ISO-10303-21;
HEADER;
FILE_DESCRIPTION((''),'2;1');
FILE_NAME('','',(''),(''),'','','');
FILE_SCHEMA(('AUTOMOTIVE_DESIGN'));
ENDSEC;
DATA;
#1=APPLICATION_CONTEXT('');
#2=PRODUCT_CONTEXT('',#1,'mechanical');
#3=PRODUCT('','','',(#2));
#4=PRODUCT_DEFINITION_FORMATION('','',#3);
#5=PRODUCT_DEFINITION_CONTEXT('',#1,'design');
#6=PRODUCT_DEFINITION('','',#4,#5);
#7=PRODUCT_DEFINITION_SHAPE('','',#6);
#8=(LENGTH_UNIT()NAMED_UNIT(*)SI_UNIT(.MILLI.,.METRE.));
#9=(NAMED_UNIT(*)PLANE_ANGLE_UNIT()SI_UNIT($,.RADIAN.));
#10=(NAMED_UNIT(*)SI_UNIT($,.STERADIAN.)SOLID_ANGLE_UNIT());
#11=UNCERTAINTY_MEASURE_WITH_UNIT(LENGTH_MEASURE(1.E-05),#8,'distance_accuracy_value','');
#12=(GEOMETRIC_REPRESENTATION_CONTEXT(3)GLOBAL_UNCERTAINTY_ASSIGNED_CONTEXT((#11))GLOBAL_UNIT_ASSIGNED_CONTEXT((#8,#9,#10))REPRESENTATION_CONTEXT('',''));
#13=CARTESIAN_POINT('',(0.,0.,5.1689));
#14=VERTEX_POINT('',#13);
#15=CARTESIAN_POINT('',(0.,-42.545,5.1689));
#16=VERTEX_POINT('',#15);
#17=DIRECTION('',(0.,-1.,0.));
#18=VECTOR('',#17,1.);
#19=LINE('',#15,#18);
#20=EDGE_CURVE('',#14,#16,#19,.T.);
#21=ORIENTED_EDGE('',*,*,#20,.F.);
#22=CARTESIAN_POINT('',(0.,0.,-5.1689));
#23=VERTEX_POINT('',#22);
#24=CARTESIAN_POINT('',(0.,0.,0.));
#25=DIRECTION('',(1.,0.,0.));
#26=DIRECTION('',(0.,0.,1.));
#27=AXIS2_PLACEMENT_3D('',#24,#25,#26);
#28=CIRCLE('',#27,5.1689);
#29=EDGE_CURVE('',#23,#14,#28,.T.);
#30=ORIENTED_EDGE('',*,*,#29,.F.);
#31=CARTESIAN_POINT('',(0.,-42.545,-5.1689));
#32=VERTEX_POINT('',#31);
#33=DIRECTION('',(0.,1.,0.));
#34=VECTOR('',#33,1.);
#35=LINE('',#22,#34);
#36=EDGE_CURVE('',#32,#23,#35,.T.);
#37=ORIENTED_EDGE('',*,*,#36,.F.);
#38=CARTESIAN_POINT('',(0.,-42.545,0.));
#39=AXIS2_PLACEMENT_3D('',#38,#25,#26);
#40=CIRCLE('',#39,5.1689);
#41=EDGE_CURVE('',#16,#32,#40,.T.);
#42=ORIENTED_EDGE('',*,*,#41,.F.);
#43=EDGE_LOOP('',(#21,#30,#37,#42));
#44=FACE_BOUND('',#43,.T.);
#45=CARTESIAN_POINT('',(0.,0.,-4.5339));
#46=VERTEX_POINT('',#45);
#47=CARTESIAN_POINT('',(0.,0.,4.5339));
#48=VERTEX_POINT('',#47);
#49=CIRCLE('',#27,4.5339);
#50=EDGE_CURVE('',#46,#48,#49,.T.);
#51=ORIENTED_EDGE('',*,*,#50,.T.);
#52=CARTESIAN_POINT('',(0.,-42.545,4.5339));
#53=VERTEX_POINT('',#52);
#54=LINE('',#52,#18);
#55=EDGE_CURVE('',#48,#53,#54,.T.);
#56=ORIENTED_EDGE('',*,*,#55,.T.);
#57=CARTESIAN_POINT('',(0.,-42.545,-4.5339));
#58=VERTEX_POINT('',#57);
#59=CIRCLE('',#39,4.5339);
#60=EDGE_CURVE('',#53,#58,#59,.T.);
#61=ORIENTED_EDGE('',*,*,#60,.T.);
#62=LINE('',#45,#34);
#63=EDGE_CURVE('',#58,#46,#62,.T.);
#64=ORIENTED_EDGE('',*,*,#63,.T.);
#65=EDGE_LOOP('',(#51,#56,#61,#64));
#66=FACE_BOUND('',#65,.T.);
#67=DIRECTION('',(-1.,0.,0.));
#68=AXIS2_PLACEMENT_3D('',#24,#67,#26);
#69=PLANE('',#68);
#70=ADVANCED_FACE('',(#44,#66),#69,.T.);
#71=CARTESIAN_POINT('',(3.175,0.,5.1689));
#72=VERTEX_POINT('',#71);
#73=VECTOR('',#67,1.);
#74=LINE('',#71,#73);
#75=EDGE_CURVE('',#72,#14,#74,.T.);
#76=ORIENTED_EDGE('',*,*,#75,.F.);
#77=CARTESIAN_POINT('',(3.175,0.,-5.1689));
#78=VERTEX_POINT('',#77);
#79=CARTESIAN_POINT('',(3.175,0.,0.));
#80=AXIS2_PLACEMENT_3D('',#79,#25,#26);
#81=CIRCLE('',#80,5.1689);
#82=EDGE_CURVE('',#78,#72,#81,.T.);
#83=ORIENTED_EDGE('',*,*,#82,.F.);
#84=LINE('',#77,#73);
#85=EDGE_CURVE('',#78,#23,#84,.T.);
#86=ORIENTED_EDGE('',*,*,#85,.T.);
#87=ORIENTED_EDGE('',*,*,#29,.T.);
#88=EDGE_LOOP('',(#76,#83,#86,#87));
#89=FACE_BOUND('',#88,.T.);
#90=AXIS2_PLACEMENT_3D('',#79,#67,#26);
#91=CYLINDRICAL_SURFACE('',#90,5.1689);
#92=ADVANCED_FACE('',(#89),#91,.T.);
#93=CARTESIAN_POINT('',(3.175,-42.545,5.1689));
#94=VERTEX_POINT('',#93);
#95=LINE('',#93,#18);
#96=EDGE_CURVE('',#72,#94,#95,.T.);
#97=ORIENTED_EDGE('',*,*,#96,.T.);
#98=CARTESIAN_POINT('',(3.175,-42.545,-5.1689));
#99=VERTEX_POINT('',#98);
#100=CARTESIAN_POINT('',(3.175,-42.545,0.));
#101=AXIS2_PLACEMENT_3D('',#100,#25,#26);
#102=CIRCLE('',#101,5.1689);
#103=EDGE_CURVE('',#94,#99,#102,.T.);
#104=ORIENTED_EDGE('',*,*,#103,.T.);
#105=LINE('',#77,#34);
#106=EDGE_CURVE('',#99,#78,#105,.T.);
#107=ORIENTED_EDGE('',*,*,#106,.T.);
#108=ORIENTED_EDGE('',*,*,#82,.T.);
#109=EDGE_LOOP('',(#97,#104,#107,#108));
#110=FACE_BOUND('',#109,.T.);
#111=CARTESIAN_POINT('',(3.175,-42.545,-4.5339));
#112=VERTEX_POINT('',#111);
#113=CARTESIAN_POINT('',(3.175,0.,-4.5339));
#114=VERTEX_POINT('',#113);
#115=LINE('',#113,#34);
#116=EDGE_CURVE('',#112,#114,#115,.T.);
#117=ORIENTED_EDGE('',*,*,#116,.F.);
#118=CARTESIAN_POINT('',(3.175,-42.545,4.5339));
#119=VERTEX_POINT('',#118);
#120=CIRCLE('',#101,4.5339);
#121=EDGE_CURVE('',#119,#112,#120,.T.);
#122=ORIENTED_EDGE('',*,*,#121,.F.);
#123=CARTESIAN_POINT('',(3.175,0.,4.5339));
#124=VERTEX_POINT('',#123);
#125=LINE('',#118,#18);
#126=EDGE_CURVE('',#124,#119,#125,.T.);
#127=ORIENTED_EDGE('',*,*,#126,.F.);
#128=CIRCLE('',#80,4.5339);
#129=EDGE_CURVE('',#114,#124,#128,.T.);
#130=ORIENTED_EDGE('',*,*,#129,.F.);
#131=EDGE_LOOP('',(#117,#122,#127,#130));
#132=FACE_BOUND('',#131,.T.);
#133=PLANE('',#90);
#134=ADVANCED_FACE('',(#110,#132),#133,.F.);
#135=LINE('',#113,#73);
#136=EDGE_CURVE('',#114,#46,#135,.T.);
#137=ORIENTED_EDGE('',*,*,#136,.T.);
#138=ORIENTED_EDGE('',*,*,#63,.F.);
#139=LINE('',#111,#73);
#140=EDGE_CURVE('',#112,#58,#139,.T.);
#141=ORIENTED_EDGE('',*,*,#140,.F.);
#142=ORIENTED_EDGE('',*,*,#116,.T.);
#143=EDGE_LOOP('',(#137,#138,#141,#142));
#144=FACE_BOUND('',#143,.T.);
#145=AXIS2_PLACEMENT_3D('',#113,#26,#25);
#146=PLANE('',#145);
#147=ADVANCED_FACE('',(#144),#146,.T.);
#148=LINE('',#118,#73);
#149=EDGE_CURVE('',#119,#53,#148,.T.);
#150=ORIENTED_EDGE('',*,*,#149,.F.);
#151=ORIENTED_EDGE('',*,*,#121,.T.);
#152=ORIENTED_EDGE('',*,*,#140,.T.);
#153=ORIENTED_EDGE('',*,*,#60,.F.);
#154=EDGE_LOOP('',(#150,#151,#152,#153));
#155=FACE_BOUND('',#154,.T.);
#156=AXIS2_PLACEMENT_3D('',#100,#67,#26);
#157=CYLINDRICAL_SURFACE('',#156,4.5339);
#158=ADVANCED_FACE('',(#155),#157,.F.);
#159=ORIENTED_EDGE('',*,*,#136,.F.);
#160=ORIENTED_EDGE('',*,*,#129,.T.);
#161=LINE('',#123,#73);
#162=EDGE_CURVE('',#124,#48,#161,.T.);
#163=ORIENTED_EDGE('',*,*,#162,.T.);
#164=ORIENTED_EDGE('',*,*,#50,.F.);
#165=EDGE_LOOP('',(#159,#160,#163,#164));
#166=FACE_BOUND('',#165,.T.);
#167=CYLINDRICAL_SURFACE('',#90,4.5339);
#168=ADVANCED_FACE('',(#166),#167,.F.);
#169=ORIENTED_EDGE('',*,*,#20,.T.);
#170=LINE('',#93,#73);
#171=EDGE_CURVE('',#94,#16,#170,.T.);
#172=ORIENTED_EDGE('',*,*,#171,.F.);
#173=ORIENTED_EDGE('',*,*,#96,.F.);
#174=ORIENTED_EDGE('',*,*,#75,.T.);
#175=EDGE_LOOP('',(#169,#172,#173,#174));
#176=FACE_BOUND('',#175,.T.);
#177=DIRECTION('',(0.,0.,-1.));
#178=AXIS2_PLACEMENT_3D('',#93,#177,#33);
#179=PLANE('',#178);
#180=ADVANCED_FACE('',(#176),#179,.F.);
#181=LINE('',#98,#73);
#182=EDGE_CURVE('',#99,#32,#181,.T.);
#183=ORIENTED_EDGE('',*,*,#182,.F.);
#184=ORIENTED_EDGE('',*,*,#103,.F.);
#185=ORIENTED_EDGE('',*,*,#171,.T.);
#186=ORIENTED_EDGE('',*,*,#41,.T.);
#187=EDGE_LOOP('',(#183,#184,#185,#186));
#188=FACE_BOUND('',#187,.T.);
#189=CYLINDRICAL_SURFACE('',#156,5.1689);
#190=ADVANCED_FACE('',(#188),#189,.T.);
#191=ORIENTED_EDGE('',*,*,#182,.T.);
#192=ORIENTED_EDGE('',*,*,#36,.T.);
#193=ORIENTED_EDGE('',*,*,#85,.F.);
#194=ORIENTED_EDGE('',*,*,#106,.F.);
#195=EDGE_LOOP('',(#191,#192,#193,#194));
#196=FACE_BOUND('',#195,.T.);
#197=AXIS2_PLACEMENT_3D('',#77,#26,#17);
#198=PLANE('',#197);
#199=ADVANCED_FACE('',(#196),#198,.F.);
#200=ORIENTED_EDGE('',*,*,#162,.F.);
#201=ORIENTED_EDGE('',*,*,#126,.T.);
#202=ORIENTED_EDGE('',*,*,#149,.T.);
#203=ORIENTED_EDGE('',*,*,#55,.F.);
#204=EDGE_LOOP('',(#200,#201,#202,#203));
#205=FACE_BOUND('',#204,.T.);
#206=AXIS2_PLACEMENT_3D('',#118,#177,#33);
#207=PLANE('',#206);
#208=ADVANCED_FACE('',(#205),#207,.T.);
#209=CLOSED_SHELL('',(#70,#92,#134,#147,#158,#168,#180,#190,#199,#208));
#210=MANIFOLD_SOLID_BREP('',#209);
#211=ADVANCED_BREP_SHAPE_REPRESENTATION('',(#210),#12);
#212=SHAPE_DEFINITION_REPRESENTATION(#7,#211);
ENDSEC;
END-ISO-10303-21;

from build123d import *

# Parameters (mm, degrees)
BOSS_EXTRUDE1_DEPTH = 3.175


with BuildPart() as part:
    # Sketch1 → Boss-Extrude1 (new body)
    with BuildSketch(Plane(origin=(0, 0, 0), x_dir=(0, 0, -1), z_dir=(1, 0, 0))):
        with BuildLine():
            Line((5.1689, 0), (5.1689, -42.545))
            ThreePointArc((5.1689, -42.545), (0, -47.7139), (-5.1689, -42.545))
            Line((-5.1689, -42.545), (-5.1689, 0))
            ThreePointArc((-5.1689, 0), (0, 5.1689), (5.1689, 0))
        make_face()
        with BuildLine():
            Line((4.5339, 0), (4.5339, -42.545))
            ThreePointArc((4.5339, -42.545), (0, -47.0789), (-4.5339, -42.545))
            Line((-4.5339, -42.545), (-4.5339, 0))
            ThreePointArc((-4.5339, 0), (0, 4.5339), (4.5339, 0))
        make_face(mode=Mode.SUBTRACT)
    extrude(amount=BOSS_EXTRUDE1_DEPTH)


solid = part.part
